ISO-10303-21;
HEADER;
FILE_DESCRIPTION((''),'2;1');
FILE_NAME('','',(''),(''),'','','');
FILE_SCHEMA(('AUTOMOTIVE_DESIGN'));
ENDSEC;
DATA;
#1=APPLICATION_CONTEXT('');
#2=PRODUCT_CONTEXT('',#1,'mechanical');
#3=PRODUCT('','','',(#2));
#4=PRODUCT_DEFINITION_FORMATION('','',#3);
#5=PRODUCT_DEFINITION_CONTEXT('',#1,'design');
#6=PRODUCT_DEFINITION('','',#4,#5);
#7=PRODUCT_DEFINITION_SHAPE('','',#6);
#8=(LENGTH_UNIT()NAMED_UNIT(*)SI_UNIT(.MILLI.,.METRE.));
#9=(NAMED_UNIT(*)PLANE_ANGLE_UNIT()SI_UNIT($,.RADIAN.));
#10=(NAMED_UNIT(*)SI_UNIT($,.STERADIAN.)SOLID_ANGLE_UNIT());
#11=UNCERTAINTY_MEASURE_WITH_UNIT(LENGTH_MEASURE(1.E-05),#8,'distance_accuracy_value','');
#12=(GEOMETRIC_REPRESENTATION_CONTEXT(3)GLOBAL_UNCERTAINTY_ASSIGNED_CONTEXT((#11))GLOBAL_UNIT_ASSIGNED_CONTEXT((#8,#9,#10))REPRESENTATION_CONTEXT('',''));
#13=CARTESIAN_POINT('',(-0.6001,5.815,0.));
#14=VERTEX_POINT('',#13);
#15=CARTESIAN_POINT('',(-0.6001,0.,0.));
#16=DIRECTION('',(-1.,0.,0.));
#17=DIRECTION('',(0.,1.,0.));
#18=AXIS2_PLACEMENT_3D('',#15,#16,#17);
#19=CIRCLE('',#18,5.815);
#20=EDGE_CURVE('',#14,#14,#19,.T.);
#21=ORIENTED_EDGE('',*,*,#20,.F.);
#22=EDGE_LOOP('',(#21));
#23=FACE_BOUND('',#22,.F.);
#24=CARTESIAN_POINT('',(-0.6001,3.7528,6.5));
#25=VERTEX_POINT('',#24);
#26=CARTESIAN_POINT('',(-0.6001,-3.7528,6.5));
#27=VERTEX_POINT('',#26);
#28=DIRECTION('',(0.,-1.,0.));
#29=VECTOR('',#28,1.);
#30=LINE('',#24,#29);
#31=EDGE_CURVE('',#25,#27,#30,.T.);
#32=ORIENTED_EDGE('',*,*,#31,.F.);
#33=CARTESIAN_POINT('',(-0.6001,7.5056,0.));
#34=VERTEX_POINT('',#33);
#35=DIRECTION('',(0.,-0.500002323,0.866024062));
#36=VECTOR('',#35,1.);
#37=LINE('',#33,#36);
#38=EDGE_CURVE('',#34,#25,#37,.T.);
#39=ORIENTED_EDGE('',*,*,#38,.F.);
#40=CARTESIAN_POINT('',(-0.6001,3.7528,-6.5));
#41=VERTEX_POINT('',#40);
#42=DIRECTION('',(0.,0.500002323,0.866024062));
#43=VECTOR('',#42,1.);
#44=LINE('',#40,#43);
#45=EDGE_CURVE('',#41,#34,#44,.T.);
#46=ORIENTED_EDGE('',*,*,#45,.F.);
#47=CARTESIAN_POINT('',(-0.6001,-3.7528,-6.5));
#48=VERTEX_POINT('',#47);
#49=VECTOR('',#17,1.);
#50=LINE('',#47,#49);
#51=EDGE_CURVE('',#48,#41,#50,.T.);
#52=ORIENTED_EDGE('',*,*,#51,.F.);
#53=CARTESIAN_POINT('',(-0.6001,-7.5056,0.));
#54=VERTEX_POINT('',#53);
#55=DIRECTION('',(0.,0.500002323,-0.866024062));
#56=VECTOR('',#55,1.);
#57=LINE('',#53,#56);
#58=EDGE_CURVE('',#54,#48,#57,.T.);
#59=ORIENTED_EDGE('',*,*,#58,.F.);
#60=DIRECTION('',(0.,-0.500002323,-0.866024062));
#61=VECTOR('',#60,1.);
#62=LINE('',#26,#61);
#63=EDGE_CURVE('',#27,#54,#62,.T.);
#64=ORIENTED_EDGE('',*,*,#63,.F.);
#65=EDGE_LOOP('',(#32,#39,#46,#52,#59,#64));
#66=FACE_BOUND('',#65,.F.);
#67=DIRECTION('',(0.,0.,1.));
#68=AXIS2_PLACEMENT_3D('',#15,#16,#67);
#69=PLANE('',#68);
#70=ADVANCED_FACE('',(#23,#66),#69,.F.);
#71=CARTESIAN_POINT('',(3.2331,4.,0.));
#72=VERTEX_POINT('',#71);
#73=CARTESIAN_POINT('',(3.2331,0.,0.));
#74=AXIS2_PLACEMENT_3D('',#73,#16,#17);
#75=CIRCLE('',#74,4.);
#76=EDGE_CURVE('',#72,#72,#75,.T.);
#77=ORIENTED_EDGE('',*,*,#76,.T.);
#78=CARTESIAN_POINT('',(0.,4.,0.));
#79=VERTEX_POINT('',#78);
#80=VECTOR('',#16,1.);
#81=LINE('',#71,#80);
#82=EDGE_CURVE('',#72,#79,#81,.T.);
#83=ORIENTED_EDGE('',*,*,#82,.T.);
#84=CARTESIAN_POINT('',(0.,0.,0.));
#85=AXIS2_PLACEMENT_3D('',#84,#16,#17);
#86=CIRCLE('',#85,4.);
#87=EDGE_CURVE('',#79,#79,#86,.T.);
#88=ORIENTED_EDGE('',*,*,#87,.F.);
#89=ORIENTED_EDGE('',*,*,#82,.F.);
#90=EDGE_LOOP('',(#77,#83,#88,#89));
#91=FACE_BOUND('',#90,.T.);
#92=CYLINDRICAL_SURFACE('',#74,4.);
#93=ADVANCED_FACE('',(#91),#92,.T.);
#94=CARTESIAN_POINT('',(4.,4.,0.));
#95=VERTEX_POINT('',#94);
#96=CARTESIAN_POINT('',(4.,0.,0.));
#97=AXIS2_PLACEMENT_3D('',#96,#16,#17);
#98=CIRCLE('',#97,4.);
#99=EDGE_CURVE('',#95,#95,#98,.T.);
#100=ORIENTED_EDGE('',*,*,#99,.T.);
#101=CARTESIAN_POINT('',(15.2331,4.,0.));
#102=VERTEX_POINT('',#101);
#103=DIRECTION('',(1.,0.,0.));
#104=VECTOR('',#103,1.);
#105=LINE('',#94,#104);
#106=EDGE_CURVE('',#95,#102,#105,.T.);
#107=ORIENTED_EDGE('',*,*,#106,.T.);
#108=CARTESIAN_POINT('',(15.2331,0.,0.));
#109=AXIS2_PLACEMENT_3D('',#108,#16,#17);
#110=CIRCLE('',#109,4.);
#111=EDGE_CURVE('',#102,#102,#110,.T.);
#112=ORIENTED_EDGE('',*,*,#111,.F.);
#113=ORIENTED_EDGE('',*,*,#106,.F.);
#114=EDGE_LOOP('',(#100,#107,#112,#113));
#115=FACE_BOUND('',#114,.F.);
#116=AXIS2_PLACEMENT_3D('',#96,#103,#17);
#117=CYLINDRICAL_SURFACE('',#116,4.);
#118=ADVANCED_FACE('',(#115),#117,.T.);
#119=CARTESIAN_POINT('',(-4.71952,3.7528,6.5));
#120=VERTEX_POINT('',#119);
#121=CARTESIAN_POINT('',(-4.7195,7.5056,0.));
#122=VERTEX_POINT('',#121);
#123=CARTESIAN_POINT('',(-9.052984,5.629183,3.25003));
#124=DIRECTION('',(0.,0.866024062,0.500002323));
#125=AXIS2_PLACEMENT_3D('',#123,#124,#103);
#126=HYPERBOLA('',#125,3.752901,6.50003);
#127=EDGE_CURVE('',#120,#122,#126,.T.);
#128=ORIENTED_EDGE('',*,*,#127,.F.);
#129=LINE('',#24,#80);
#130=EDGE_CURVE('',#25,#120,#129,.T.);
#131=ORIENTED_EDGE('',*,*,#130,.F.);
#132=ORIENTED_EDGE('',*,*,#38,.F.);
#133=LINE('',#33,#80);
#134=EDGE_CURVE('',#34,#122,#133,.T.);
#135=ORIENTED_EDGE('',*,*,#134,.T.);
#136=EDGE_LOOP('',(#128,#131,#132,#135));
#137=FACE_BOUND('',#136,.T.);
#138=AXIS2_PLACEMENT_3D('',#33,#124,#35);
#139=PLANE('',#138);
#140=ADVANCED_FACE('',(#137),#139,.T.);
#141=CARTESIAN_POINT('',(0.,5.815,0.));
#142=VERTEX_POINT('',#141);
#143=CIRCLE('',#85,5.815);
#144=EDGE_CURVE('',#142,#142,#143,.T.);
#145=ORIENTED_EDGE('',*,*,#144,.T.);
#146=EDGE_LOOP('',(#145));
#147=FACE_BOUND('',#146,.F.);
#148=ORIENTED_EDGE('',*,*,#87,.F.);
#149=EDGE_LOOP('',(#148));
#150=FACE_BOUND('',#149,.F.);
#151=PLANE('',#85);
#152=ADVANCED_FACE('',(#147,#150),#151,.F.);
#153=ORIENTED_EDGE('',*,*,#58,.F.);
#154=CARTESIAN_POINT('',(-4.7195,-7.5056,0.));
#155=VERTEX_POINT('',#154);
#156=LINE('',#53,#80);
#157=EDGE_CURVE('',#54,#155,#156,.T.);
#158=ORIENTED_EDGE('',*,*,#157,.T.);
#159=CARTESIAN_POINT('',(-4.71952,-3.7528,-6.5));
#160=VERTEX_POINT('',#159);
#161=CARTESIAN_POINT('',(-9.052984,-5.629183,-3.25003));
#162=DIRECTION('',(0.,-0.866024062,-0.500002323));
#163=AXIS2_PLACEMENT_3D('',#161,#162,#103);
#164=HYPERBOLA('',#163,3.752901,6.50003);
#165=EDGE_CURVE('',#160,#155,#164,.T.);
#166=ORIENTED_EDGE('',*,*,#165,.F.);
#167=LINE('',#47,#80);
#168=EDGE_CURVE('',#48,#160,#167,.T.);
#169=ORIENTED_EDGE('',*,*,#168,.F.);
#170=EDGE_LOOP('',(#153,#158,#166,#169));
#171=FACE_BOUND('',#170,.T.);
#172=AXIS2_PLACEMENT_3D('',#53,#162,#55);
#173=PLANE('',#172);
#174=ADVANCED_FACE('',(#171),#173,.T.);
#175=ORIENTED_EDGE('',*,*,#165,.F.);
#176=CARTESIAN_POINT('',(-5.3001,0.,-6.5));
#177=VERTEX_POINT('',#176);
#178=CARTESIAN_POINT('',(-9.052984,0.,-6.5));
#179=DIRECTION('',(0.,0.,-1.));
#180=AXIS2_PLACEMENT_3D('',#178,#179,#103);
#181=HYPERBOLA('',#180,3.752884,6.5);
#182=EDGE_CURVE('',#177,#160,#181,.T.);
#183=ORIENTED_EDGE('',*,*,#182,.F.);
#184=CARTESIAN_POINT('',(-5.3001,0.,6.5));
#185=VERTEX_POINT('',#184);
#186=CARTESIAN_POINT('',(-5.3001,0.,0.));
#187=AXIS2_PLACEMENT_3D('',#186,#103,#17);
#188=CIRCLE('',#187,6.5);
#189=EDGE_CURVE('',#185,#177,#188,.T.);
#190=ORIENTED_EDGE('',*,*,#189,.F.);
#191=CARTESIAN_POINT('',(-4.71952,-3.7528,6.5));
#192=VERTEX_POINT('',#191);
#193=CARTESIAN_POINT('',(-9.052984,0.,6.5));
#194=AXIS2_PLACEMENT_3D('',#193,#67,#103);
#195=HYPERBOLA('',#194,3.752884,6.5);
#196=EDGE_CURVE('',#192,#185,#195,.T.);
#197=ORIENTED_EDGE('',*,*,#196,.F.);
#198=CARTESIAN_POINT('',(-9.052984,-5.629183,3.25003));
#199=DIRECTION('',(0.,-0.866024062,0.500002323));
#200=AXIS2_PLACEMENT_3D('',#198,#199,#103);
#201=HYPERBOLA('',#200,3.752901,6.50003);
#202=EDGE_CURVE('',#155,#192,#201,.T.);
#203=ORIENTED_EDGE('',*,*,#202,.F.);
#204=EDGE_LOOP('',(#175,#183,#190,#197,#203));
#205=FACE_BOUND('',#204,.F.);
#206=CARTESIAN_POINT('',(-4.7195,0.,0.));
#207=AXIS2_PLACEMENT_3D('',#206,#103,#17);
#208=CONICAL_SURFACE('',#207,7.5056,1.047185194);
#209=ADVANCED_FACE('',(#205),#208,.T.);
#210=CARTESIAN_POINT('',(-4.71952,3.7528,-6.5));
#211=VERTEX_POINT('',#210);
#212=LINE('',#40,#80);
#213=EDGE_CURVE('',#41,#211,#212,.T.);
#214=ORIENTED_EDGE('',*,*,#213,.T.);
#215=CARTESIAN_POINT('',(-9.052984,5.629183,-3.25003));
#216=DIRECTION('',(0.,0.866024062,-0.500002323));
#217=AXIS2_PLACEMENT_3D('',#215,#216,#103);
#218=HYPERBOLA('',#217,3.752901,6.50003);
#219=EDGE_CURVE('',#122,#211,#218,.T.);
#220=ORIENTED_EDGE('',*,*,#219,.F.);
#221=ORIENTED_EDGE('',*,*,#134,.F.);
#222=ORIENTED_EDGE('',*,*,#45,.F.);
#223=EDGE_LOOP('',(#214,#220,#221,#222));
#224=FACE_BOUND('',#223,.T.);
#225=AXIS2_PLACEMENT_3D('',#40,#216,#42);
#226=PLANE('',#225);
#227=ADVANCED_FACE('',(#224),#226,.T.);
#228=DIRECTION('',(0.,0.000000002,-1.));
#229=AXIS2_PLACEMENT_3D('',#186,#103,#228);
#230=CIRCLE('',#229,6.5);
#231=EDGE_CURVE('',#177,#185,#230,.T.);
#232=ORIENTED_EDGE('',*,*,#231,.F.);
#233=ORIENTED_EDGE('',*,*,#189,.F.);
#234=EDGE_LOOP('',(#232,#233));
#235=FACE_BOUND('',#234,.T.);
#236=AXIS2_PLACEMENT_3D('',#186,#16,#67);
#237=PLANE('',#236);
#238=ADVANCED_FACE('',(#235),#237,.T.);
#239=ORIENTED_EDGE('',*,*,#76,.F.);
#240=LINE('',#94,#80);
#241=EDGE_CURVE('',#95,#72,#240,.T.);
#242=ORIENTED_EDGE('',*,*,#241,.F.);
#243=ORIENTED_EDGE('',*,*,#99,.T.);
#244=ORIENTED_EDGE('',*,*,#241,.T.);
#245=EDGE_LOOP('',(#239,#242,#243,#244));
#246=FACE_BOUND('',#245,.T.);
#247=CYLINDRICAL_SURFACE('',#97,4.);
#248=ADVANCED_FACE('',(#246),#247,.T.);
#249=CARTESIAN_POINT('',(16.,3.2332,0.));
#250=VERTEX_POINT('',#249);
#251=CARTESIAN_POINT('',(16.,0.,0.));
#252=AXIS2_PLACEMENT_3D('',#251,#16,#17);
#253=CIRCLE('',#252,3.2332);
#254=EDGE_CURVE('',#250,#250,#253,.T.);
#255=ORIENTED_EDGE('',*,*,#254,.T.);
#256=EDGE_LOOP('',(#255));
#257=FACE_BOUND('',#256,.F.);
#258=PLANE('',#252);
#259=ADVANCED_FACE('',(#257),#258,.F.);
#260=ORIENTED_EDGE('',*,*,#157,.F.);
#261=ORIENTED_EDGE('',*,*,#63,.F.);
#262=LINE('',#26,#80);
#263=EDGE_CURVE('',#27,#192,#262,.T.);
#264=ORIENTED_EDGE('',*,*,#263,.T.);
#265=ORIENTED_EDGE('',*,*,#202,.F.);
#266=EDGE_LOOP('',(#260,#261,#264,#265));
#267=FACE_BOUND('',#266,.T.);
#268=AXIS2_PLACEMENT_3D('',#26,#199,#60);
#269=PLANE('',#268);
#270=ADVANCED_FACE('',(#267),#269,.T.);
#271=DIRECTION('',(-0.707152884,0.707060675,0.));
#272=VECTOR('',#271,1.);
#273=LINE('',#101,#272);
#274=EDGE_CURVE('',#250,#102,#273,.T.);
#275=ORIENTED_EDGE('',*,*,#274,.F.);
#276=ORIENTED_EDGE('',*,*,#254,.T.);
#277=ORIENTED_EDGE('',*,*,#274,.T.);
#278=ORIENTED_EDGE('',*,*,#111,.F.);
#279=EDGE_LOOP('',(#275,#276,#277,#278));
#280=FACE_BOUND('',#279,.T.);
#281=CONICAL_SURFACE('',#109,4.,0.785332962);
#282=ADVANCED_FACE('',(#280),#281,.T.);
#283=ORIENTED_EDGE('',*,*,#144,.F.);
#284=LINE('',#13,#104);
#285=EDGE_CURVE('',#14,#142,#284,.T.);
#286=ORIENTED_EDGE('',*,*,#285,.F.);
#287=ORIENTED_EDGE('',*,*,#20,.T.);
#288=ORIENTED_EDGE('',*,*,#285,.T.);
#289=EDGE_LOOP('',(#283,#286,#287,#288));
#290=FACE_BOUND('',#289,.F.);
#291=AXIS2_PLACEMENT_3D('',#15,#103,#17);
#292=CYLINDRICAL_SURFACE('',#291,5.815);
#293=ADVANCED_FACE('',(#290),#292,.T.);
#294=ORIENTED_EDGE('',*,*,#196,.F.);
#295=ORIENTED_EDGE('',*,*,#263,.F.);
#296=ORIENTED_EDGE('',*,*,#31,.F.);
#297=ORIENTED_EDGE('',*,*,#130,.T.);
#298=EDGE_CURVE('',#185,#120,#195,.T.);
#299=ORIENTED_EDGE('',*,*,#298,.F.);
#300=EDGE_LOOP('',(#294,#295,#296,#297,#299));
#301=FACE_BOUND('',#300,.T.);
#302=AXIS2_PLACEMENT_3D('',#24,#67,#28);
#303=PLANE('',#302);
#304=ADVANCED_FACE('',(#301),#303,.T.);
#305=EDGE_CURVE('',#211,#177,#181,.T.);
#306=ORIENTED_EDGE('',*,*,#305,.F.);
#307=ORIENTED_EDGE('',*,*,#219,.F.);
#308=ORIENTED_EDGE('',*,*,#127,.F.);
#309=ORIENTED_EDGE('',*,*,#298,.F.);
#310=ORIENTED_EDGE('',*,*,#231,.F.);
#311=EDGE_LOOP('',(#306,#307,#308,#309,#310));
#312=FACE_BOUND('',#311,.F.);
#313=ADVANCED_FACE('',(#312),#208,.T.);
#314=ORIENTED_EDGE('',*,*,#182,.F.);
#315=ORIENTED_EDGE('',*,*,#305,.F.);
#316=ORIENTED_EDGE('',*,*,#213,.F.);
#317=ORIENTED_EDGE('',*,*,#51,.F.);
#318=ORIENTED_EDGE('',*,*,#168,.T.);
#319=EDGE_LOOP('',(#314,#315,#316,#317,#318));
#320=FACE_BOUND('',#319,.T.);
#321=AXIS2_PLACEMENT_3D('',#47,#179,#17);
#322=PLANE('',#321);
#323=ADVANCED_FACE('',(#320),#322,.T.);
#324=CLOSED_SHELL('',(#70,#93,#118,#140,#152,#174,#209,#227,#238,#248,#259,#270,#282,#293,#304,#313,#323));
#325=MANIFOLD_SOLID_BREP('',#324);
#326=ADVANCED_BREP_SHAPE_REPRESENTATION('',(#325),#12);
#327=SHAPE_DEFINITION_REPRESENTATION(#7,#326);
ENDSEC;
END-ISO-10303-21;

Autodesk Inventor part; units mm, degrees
ref_plane "YZ Plane" through (0, 0, 0) normal (1, 0, 0) x (0, 1, 0)
ref_plane "XZ Plane" through (0, 0, 0) normal (0, 1, 0) x (-1, 0, 0)
sketch "Sketch1" plane through (0, 0, 0) normal (0, 0, 1) x (1, 0, 0)
  line L0 (0, 5.815) -> (0, 4)
  line L1 (4, 4) -> (16, 4)
  line L2 (16, 4) -> (16, 0)
  line L3 (16, 0) -> (-0.6001, 0)
  line L4 (-3.9201, 0) -> (19.32, 0) projected
  line L5 (-0.6001, 0) -> (-0.6001, 5.815)
  line L6 (-0.6001, 5.815) -> (0, 5.815)
  line L7 (4, 4) -> (3.2331, 4)
  line L8 (3.2331, 4) -> (0, 4)
  line L9 (0, -1.163) -> (0, 6.978) projected
  dimension "d0" = 16
  dimension "d1" = 12
  dimension "d2" = 8
  dimension "d9" = 0.6001
  dimension "d10" = 11.63
  dimension "d13" = 0.7669
  dimension "d14" = 8
revolve "Body" add sketch "Sketch1" angle 360 about axis through (16, 0, 0) along (-1, 0, 0)
sketch "Sketch2" plane through (-0.6001, 0, 0) normal (-1, 0, 0) x (0, 0, 1)
  line L0 (0, 7.5056) -> (6.5, 3.7528)
  line L1 (6.5, 3.7528) -> (6.5, -3.7528)
  line L2 (6.5, -3.7528) -> (0, -7.5056)
  line L3 (0, -7.5056) -> (-6.5, -3.7528)
  line L4 (-6.5, -3.7528) -> (-6.5, 3.7528)
  line L5 (-6.5, 3.7528) -> (0, 7.5056)
  point P0 (0, 0)
  point P1 (0, 0)
  dimension "d11" = 13
extrude "Head" add sketch "Sketch2" along normal blind 4.7
sketch "Sketch4" plane through (0, 0, 0) normal (0, 0, 1) x (1, 0, 0)
  line L0 (-5.3001, 6.5) -> (-5.3001, 7.5056)
  line L1 (-5.3001, 7.5056) -> (-4.7195, 7.5056)
  line L2 (-4.7195, 7.5056) -> (-5.3001, 6.5)
  line L3 (-6.2401, 0) -> (0.3399, 0) projected
  line L4 (-0.6001, 7.5056) -> (-5.3001, 7.5056) projected
  line L5 (-5.3001, 3.7528) -> (-5.3001, 7.5056) projected
  dimension "d5" = 30
  dimension "d19" = 13
revolve "Chamfer1" cut sketch "Sketch4" angle 360 about axis through (-10, 0, 0) along (1, 0, 0)
thread "Thread" size "M8x1.25" class "6g" standard "ISO Metric profile" length 12
chamfer "Chamfer2" distance 0.7668 distance2 0.7669 1 edges at (16, -4, 0) measured on face at (16, -0.6859, -0.8072)
ref_plane "Work Plane1" through (1.525, 0, 0) normal (0, 0, 1) x (1, 0, 0)
equation "\"d11\" = SW"
equation "\"d3\" = KOH - SD"
equation "\"d15\" = GEL"
equation "\"d6\" = -0.5 * SPD + 0.5 * GD"
equation "\"d0\" = NLG"
equation "\"d1\" = GEL"
equation "\"d2\" = GD"
equation "\"d10\" = SD2"
equation "\"d14\" = BDM"
equation "\"d5\" = ANG1"
equation "\"d19\" = SW0"
equation "\"NLG\" = 16"
equation "\"GD\" = NND"
equation "\"BDM\" = NND"
equation "\"KOH\" = 5.3"
equation "\"GEL\" = 12"
equation "\"SW\" = 13"
equation "\"SW0\" = SW"
equation "\"SPD\" = NND - 1.2269 * PTC"
equation "\"SD2\" = 11.63"
equation "\"SD\" = 0.6"
equation "\"ANG1\" = 30deg"
equation "\"GAL\" = 0.61345 * PTC"
equation "\"GUL\" = 0.61345 * PTC"
equation "\"RR\" = 0.4"
equation "\"GD1\" = THREADDIA - 1.2269 * PTC"
equation "\"THREADDIA\" = 8"
equation "\"SDH\" = SD2"
equation "\"SDHG\" = 4"
equation "\"TOA\" = 30deg"
equation "\"PTC\" = 1.25"
equation "\"NND\" = 8"
equation "\"E0\" = 15.015"
properties part number "ISO 4017 - M8 x 16" material "Stainless Steel, 440C"
